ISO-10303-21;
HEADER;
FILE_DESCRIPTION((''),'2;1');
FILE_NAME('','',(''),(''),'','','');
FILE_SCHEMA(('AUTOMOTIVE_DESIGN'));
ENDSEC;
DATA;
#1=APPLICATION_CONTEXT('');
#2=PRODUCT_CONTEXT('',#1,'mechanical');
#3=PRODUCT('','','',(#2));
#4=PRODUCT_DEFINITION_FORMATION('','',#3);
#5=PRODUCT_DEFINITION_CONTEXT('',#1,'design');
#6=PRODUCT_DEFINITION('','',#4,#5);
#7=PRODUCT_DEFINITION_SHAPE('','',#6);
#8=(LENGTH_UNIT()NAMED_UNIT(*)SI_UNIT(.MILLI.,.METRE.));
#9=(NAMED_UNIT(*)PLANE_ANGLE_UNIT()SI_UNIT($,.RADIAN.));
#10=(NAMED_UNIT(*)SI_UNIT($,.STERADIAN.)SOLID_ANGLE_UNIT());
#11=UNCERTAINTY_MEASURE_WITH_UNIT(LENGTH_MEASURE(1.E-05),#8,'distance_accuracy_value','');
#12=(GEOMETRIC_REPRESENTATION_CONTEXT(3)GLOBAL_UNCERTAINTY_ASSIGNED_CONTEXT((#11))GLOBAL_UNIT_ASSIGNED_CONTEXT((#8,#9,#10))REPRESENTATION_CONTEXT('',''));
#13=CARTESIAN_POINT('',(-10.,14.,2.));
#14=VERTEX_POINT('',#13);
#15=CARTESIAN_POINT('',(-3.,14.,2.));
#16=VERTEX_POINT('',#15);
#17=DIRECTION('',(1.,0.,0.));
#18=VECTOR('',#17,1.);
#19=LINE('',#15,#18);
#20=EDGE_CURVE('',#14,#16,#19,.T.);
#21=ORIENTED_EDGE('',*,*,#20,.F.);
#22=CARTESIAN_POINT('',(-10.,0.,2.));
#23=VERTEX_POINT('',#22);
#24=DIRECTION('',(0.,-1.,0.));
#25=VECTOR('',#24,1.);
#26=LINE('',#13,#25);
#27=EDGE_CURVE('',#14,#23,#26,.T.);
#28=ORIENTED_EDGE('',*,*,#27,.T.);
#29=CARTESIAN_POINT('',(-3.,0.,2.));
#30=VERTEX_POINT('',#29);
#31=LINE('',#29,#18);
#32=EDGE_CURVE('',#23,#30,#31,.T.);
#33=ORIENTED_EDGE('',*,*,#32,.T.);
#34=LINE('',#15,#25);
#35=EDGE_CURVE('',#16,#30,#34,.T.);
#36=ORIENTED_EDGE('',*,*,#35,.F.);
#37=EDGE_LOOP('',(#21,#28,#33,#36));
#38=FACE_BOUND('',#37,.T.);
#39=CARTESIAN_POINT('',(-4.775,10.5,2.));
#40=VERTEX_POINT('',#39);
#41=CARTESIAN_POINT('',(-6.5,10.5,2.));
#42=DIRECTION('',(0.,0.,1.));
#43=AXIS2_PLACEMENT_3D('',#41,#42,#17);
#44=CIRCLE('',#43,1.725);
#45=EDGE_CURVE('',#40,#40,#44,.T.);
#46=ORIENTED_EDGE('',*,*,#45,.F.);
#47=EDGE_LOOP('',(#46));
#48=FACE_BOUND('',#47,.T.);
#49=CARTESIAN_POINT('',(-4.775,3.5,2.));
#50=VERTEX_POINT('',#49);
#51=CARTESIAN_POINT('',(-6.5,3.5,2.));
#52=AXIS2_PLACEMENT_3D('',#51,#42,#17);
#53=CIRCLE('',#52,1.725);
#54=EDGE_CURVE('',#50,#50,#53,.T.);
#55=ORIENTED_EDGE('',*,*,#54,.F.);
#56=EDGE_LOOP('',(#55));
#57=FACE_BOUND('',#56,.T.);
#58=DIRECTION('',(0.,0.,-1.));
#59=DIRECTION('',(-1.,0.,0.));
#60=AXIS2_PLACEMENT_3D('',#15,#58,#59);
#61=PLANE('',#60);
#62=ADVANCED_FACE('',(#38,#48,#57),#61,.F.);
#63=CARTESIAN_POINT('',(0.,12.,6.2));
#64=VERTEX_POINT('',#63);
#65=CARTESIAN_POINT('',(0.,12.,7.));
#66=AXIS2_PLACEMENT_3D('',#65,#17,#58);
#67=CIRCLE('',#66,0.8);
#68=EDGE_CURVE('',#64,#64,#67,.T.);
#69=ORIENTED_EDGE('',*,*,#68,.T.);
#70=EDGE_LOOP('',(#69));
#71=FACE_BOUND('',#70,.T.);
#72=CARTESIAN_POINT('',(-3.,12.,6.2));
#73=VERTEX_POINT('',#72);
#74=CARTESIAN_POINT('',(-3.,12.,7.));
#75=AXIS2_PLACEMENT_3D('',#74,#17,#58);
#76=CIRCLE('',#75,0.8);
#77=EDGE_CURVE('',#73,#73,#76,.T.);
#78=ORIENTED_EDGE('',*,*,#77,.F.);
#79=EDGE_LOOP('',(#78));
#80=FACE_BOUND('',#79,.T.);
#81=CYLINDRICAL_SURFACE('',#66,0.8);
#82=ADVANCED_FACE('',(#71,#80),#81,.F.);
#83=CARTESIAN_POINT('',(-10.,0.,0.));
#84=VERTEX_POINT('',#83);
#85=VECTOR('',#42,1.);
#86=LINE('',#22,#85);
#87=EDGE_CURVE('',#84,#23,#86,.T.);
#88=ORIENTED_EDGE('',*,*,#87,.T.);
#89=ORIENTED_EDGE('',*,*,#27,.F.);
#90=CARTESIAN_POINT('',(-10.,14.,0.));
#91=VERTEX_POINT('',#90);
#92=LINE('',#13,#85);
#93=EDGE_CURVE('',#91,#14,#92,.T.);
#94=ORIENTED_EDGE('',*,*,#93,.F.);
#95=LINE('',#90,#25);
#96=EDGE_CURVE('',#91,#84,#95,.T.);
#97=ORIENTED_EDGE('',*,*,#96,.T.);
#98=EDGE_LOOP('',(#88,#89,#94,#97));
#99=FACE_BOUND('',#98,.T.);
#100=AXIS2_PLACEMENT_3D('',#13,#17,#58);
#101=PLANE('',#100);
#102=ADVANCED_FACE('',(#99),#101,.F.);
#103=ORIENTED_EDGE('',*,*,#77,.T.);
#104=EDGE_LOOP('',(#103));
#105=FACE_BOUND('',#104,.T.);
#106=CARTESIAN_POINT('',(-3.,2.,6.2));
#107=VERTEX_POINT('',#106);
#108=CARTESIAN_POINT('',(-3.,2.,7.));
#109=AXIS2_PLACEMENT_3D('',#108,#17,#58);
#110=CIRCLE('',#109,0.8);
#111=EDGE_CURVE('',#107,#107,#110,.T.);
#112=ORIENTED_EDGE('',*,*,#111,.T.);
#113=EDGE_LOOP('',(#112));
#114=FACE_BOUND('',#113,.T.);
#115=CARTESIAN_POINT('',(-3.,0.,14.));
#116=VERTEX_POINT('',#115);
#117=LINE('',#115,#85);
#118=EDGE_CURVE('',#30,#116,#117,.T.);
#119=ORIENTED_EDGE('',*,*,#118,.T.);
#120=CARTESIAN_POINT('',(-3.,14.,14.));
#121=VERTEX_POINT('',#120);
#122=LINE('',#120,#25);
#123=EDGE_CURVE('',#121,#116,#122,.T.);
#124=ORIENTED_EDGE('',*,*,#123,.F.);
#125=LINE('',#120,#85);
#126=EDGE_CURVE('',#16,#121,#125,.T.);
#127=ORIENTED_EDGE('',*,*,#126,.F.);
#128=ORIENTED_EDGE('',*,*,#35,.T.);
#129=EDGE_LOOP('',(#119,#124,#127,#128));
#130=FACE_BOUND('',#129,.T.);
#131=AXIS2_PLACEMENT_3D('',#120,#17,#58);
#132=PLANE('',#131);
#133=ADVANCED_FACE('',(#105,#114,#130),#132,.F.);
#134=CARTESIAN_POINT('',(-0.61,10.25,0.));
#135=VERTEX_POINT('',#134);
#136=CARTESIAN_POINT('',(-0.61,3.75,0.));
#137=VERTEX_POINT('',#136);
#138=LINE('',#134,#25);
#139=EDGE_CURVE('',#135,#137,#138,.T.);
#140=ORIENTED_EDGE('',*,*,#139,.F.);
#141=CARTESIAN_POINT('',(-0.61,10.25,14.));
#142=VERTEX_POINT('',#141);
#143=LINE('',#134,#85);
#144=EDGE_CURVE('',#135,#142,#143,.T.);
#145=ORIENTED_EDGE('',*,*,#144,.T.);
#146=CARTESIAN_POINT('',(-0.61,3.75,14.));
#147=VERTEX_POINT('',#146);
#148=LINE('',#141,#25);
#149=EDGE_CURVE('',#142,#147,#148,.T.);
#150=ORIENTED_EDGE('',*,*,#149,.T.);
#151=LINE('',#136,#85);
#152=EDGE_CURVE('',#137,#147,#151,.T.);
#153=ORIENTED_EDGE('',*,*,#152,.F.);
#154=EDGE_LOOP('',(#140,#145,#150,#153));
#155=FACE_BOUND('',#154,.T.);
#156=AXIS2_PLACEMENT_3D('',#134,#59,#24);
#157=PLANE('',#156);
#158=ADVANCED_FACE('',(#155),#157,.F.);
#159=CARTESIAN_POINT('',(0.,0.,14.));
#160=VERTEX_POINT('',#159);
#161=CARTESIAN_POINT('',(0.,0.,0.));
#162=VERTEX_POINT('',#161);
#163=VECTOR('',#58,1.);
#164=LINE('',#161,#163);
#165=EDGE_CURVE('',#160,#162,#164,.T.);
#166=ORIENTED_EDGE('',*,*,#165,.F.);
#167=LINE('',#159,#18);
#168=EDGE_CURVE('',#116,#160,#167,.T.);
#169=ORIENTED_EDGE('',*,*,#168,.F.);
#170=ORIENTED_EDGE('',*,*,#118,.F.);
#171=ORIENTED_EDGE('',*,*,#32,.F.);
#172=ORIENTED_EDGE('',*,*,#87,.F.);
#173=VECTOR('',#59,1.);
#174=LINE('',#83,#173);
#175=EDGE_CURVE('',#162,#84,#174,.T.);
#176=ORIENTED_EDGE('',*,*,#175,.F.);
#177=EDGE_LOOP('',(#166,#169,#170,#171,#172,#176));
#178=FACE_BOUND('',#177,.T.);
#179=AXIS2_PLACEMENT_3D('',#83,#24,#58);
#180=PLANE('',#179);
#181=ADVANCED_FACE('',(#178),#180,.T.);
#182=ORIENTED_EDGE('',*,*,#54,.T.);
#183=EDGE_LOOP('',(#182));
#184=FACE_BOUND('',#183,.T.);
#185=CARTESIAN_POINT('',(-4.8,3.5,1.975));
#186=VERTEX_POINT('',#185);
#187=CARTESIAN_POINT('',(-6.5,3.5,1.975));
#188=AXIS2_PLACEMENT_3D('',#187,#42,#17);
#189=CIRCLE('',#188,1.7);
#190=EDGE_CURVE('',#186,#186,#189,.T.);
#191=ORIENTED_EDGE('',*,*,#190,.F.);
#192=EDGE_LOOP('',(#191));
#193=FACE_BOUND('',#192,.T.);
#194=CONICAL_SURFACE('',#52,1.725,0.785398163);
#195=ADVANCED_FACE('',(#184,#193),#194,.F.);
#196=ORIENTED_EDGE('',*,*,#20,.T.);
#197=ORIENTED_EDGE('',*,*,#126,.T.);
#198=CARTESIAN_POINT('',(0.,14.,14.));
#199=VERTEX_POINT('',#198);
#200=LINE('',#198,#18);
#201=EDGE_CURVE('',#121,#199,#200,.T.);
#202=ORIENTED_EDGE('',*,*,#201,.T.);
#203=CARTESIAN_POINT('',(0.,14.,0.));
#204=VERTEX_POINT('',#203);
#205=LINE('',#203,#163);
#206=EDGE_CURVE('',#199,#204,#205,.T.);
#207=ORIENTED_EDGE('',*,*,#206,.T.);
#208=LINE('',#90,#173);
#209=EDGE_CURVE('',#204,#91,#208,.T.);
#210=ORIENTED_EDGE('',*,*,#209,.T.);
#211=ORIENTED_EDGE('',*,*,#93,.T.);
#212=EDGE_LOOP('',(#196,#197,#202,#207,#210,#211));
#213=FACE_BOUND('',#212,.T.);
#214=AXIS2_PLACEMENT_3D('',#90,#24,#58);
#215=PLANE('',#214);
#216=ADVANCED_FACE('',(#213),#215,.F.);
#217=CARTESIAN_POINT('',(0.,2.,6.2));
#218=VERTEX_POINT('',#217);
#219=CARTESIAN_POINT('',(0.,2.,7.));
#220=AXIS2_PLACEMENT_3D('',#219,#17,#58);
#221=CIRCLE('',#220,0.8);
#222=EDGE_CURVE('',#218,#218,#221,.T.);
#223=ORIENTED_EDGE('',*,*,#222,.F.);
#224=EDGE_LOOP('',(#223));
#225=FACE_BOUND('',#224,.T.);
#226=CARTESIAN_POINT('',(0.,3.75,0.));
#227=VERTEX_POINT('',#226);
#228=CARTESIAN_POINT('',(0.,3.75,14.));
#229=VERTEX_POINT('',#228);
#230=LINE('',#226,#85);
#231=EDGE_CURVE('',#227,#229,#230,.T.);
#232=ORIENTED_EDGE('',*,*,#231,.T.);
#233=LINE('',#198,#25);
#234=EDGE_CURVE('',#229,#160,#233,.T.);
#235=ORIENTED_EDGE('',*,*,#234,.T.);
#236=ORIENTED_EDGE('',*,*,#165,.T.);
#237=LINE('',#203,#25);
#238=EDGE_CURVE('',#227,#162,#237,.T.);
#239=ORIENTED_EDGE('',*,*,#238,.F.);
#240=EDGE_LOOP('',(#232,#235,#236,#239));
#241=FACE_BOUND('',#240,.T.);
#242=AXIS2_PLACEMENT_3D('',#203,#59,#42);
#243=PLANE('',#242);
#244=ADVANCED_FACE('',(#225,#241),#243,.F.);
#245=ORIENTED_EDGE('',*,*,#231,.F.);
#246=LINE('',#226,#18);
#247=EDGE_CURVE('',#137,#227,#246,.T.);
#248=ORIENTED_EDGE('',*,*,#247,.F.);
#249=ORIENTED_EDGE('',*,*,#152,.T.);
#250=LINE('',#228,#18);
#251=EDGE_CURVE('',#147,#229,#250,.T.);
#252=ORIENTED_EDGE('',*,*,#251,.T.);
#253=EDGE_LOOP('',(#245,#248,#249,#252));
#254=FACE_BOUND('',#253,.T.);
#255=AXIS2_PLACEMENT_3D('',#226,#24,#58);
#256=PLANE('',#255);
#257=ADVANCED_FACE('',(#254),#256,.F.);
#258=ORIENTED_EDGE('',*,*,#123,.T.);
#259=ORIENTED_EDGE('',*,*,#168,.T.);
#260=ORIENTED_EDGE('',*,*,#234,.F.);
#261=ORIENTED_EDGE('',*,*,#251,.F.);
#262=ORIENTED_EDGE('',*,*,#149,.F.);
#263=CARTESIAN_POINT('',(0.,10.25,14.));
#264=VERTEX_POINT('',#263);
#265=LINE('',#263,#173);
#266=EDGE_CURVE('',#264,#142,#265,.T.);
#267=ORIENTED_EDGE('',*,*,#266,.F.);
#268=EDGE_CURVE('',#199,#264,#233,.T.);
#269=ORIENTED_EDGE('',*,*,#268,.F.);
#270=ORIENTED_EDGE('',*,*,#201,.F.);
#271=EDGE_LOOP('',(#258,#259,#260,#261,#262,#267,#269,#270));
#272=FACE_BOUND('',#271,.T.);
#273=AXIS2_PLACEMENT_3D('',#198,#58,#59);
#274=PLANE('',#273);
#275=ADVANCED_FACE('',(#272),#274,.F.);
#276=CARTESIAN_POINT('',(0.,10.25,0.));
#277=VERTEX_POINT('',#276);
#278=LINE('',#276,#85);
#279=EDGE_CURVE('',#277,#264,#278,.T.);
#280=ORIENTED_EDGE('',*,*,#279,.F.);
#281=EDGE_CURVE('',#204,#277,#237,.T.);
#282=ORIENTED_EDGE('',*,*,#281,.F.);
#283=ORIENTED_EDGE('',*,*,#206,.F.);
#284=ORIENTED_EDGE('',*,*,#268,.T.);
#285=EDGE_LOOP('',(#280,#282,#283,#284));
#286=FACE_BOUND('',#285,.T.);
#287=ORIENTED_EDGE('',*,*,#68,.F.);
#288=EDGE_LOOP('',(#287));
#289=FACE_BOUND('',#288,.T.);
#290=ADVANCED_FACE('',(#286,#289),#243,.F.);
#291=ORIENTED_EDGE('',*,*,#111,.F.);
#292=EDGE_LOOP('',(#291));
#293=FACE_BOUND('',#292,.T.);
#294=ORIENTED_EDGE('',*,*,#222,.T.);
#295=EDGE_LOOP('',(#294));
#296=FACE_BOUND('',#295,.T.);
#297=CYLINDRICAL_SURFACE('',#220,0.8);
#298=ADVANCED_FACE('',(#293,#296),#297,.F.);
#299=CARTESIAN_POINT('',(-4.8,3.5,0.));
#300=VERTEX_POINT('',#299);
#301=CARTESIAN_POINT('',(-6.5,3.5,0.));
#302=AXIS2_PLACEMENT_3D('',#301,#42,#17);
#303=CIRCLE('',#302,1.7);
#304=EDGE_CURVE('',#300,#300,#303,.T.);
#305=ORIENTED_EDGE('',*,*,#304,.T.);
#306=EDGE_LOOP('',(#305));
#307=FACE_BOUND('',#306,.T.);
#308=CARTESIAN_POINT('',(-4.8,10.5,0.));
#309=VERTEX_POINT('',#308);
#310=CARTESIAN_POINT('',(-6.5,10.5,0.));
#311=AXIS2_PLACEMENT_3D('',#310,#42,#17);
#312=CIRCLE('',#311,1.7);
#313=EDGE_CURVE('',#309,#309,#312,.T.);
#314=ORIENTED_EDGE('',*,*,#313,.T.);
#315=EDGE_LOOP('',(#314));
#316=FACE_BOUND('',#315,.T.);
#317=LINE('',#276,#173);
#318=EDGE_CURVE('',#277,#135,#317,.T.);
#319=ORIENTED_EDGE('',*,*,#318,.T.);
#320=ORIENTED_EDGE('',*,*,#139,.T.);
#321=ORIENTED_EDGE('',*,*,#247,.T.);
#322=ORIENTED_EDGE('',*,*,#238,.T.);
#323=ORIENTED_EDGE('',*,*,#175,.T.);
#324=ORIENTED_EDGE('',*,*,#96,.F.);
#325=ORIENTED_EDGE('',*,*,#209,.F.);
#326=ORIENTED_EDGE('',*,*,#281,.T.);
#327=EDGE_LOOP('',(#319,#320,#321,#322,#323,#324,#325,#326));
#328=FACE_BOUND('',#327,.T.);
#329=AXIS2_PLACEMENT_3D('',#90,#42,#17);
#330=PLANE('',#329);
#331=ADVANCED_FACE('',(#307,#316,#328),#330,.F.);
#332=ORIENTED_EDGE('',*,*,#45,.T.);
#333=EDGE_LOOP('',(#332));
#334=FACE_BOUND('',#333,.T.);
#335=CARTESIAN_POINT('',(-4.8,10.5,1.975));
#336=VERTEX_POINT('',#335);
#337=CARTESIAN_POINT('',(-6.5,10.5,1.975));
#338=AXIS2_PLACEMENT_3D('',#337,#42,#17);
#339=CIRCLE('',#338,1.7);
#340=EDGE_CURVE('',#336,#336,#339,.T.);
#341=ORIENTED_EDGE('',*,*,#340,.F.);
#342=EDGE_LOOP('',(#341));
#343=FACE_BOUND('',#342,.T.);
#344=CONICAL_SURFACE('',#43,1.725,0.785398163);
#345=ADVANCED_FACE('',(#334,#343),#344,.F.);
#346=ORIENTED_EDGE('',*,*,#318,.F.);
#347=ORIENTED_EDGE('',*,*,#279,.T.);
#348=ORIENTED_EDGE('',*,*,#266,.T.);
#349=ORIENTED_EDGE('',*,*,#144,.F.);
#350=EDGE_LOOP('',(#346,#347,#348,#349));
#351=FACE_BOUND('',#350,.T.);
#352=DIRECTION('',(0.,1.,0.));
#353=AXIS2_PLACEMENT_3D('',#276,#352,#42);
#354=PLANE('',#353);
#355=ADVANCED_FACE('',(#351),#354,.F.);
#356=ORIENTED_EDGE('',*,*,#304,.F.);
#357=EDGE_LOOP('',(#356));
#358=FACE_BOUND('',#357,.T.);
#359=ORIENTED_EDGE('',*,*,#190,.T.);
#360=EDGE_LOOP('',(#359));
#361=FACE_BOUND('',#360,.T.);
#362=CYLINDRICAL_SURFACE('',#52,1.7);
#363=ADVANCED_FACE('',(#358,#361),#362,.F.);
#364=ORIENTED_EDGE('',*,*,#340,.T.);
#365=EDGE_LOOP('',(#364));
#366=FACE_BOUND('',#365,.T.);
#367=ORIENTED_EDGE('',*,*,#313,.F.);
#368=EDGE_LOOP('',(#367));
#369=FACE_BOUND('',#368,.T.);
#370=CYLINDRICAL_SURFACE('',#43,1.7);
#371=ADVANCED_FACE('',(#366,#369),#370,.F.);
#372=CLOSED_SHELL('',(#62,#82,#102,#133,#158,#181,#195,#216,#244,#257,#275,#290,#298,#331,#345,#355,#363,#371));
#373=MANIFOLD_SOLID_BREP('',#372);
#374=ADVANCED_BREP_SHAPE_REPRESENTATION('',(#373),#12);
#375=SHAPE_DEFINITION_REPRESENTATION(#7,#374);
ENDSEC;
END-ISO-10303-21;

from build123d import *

# Parameters (mm, degrees)
BOSS_EXTRUDE1_DEPTH            = 14
M3_CLEARANCE_HOLE1_D           = 3.4
M3_CLEARANCE_HOLE1_CSINK_D     = 3.45
M3_CLEARANCE_HOLE1_CSINK_ANGLE = 90
SKETCH2_W                      = 0.61
SKETCH2_H                      = 6.5
CUT_EXTRUDE1_DEPTH             = 23.181073013
M2_TAPPED_HOLE1_D              = 1.6


with BuildPart() as part:
    # Sketch1 → Boss-Extrude1 (new body)
    with BuildSketch(Plane(origin=(0, 0, 0), x_dir=(1, 0, 0), z_dir=(0, 1, 0))):
        Polygon((-10, 0), (0, 0), (0, -14), (-3, -14), (-3, -2), (-10, -2), align=None)
    extrude(amount=BOSS_EXTRUDE1_DEPTH)

    # M3 Clearance Hole1 (through all)
    with Locations(Plane.XY.offset(2)):
        with Locations((-6.5, 10.5), (-6.5, 3.5)):
            CounterSinkHole(M3_CLEARANCE_HOLE1_D / 2, M3_CLEARANCE_HOLE1_CSINK_D / 2, counter_sink_angle=M3_CLEARANCE_HOLE1_CSINK_ANGLE)

    # Sketch2 → Cut-Extrude1 (cut, through all)
    with BuildSketch(Plane.XY.offset(14)):
        with Locations((-0.305, 7)):
            Rectangle(SKETCH2_W, SKETCH2_H)
    extrude(amount=-CUT_EXTRUDE1_DEPTH, mode=Mode.SUBTRACT)

    # M2 Tapped Hole1 (through all)
    with Locations(Plane(origin=(0, 5.858814373, -1.158558045), x_dir=(0, 0, 1), z_dir=(1, 0, 0))):
        with Locations((8.158558045, -6.141185627), (8.158558045, 3.858814373)):
            Hole(M2_TAPPED_HOLE1_D / 2)


solid = part.part
